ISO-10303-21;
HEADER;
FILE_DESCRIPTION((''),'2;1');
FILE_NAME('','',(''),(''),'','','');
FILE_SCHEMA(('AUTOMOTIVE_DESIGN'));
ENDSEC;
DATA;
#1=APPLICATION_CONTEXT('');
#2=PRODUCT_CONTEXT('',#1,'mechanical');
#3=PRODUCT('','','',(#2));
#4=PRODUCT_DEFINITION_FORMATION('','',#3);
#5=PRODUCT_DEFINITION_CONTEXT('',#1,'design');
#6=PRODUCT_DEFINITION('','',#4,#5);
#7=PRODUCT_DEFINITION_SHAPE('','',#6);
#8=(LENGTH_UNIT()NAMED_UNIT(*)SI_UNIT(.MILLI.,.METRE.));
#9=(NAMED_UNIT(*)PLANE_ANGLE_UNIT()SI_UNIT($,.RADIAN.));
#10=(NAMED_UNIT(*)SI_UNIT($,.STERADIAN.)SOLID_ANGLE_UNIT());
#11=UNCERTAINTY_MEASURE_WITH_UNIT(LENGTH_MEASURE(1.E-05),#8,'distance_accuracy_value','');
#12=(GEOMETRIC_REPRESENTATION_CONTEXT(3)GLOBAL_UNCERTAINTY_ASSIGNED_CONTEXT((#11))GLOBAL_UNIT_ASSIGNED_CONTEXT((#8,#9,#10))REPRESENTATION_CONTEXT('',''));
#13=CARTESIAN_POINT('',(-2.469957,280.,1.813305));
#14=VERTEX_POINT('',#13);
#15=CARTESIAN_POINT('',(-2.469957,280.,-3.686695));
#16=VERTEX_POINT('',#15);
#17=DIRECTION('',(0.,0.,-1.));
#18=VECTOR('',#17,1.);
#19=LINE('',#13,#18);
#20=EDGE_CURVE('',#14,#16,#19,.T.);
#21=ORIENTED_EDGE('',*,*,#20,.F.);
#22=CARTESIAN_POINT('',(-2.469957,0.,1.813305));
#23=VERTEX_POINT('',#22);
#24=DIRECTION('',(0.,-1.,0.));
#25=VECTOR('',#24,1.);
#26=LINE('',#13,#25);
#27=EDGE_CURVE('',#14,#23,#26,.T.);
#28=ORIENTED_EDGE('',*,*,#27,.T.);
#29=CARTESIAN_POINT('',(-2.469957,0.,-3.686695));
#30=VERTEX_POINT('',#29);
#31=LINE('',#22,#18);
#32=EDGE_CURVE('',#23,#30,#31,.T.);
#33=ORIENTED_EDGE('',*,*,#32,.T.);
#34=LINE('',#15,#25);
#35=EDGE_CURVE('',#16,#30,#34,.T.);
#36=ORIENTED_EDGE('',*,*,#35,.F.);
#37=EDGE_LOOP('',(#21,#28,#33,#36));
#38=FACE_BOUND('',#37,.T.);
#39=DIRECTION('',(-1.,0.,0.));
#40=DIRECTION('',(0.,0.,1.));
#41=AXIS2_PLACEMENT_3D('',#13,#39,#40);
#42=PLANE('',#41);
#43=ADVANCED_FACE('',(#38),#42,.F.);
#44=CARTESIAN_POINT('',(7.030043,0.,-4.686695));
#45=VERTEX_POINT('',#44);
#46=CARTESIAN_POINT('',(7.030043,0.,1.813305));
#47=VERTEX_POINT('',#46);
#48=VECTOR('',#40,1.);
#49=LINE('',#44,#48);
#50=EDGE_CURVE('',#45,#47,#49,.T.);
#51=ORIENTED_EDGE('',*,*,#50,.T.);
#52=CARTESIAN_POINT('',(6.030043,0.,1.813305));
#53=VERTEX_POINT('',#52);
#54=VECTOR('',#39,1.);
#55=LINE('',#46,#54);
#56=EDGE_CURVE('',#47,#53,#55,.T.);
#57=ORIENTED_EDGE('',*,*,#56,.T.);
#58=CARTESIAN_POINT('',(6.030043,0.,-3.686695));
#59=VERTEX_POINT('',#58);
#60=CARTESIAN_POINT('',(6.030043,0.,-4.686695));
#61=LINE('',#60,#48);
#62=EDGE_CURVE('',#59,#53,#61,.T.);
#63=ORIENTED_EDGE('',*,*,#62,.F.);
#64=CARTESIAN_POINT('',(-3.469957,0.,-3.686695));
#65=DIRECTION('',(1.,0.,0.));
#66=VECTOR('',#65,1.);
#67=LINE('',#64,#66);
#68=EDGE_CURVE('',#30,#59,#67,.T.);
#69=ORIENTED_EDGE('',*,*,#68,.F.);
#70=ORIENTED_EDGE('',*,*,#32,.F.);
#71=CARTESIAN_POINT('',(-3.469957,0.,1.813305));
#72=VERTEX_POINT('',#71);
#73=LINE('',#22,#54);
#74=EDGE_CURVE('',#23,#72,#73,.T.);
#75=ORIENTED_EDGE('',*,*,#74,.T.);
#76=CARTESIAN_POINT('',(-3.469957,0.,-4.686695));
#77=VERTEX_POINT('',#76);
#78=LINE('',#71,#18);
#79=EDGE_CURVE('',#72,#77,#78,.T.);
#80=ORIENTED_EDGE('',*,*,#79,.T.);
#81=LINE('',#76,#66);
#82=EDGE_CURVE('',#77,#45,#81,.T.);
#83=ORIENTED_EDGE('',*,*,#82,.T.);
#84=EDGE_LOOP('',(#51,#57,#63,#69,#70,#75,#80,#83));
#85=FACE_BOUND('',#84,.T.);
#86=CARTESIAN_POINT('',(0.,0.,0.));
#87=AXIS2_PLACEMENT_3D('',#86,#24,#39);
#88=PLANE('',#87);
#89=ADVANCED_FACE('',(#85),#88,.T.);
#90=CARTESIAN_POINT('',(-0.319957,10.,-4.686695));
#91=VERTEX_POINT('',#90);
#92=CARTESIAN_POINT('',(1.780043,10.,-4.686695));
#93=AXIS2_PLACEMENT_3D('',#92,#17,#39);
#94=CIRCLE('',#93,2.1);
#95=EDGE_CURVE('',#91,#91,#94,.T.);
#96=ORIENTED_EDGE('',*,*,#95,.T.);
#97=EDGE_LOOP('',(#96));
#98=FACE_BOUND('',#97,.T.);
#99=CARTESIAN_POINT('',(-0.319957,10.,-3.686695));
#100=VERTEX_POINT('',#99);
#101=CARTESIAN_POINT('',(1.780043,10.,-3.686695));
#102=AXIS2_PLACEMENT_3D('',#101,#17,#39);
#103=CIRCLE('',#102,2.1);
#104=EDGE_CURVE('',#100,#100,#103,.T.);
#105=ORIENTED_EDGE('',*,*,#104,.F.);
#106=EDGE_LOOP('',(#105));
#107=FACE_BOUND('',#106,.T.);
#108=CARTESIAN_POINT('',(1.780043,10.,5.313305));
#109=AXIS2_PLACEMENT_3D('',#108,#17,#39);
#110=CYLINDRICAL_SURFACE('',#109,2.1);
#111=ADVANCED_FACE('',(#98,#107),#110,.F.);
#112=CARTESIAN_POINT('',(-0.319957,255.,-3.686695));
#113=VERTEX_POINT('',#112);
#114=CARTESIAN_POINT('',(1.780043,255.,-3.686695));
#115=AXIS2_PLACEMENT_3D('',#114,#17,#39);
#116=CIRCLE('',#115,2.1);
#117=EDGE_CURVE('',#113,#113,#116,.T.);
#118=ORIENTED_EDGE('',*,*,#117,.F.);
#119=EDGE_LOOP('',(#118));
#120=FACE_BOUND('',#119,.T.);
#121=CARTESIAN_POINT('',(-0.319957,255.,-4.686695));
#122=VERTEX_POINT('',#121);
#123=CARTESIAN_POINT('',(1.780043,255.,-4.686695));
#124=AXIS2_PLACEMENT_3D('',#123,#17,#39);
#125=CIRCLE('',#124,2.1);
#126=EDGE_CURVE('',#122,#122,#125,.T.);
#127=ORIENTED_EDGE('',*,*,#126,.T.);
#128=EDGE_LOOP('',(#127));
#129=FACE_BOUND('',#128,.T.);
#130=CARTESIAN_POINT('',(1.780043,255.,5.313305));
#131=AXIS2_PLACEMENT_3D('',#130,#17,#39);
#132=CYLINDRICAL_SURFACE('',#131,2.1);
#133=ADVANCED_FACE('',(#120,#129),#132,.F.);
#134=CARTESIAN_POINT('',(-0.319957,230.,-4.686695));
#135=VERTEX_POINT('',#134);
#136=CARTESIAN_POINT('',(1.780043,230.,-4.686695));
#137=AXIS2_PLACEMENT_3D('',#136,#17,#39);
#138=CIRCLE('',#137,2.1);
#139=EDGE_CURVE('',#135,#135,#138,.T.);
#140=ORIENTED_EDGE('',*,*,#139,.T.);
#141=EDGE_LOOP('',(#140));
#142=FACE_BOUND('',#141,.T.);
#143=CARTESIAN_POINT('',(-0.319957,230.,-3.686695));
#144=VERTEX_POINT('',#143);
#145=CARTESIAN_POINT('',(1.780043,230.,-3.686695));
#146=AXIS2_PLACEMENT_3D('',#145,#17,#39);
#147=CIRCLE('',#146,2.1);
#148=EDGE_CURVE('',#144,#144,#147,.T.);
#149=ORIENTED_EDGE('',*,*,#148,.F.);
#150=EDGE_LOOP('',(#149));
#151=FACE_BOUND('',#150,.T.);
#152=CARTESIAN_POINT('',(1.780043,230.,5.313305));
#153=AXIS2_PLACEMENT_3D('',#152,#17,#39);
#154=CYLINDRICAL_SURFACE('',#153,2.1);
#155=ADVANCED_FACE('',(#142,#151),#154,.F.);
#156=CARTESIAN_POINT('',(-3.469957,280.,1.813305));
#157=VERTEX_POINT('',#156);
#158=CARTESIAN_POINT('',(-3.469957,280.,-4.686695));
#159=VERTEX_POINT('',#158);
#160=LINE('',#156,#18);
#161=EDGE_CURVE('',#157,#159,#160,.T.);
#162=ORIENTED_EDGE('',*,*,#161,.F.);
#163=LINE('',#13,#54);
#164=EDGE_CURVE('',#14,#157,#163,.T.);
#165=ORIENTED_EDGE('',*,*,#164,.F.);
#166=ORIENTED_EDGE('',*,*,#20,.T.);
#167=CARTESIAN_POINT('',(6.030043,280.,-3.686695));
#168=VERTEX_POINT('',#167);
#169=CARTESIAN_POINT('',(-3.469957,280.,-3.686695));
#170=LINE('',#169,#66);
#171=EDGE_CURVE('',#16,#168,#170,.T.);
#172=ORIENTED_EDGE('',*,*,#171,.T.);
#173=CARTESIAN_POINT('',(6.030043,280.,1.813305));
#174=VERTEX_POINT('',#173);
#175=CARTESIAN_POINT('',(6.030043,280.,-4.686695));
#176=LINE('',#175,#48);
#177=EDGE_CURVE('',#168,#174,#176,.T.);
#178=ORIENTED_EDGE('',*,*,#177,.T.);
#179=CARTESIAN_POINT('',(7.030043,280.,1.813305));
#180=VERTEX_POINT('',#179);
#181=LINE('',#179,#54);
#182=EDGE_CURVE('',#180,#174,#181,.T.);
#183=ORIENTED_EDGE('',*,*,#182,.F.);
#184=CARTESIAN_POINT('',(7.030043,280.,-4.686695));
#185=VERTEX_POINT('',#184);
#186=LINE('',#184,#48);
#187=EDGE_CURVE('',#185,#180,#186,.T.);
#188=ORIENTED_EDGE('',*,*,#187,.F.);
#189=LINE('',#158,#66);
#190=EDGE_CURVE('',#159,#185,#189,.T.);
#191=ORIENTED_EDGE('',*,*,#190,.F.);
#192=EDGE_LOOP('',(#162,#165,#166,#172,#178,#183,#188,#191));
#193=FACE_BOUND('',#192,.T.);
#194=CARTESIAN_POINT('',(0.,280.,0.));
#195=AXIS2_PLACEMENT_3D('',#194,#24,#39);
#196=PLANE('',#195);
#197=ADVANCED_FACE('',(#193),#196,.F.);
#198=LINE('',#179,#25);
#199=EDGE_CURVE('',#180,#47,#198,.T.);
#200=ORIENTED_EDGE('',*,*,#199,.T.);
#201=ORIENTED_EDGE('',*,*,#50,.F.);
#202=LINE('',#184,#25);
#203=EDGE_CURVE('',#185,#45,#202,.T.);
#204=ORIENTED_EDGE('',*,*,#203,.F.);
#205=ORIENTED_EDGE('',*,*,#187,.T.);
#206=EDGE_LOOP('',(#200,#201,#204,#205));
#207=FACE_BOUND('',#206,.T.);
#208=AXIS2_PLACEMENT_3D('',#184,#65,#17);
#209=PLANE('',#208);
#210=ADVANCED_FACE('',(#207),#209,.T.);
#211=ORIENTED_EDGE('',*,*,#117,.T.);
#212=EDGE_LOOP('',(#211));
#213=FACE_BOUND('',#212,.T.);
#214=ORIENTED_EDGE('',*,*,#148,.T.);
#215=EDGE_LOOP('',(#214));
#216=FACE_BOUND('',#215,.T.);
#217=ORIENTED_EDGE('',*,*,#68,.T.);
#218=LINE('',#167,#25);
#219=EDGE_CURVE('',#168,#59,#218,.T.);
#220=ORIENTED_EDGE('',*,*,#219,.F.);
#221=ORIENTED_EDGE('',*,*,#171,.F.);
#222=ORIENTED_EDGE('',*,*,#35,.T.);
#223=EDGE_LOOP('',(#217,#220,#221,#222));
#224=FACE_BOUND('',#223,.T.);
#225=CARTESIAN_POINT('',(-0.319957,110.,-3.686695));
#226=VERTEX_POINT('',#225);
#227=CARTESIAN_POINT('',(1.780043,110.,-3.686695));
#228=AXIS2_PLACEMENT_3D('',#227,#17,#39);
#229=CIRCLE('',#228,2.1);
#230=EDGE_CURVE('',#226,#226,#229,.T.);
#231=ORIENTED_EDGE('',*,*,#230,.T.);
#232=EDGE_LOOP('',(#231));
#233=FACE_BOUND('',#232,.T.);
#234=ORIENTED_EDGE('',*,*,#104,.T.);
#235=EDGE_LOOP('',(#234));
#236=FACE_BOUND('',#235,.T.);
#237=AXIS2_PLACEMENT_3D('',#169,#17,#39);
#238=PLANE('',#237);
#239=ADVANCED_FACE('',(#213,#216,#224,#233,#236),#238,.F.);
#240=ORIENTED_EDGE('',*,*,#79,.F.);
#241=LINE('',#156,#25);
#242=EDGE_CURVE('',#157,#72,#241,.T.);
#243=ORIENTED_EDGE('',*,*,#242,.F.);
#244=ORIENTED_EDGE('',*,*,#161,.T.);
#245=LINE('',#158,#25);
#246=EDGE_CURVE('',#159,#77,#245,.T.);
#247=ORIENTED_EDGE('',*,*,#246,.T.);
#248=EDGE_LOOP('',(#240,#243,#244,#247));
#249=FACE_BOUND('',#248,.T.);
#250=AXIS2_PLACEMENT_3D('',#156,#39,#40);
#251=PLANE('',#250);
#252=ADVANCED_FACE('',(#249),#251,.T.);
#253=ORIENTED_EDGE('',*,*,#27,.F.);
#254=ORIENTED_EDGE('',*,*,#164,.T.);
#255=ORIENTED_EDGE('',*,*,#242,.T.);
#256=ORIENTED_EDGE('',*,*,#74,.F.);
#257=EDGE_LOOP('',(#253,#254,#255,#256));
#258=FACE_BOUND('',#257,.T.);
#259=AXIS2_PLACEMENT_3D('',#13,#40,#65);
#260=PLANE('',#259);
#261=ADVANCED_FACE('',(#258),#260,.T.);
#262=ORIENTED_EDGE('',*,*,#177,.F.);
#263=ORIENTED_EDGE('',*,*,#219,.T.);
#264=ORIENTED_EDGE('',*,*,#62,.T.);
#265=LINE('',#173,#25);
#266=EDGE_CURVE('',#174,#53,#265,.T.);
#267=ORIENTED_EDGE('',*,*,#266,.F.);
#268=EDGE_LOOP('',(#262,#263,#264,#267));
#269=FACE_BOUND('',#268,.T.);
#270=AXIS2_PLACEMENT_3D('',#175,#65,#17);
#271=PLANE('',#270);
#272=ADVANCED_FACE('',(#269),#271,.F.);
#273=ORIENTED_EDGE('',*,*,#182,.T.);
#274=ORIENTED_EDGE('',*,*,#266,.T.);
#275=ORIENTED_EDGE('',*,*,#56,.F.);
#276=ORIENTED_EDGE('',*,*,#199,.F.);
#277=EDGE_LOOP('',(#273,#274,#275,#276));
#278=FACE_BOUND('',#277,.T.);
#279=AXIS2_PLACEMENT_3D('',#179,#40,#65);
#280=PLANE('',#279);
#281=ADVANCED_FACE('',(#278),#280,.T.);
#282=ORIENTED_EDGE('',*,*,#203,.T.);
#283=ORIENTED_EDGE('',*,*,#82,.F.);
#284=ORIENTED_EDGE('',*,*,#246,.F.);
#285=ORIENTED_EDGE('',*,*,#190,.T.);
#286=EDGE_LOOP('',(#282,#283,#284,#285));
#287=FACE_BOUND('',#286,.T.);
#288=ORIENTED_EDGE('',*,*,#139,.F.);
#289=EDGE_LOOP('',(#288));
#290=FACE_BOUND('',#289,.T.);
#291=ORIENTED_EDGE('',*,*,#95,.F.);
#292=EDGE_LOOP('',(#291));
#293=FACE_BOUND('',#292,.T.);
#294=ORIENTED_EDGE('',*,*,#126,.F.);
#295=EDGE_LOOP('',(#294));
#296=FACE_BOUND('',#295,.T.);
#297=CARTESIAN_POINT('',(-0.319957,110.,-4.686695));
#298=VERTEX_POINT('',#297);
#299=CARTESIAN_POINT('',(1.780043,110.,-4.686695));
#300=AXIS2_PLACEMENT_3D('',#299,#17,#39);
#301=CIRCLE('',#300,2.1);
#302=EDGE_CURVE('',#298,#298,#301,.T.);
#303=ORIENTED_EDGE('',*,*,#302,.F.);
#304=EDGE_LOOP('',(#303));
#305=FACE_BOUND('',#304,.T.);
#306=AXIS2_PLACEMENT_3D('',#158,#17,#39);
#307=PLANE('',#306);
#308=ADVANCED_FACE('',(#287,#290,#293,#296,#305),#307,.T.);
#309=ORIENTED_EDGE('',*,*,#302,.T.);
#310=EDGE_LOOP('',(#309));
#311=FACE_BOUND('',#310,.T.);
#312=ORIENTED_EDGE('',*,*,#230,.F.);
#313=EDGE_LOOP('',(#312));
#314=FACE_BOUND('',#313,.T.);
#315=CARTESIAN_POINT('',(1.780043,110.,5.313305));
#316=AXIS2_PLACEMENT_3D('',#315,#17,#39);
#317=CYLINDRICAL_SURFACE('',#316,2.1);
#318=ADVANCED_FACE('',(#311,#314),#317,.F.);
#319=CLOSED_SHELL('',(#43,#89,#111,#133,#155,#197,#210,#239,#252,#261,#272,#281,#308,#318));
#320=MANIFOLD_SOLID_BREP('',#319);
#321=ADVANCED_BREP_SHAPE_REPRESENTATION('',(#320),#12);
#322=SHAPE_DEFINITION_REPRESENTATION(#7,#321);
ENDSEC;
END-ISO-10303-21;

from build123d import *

# Parameters (mm, degrees)
EXTRUDE_THIN1_DEPTH = 280
SKETCH2_R           = 2.1
CUT_EXTRUDE1_DEPTH  = 10


with BuildPart() as part:
    # Sketch1 → Extrude-Thin1 (new body)
    with BuildSketch(Plane(origin=(0, 0, 0), x_dir=(1, 0, 0), z_dir=(0, 1, 0))):
        Polygon((-3.469957082, -1.813304721), (-3.469957082, 4.686695279), (7.030042918, 4.686695279), (7.030042918, -1.813304721), (6.030042918, -1.813304721), (6.030042918, 3.686695279), (-2.469957082, 3.686695279), (-2.469957082, -1.813304721), align=None)
    extrude(amount=EXTRUDE_THIN1_DEPTH)

    # Sketch2 → Cut-Extrude1 (cut)
    with BuildSketch(Plane(origin=(0, 0, -4.686695279), x_dir=(-1, 0, 0), z_dir=(0, 0, -1))):
        with Locations((-1.780042918, 230)):
            Circle(SKETCH2_R)
        with Locations((-1.780042918, 255)):
            Circle(SKETCH2_R)
        with Locations((-1.780042918, 110)):
            Circle(SKETCH2_R)
        with Locations((-1.780042918, 10)):
            Circle(SKETCH2_R)
    extrude(amount=-CUT_EXTRUDE1_DEPTH, mode=Mode.SUBTRACT)


solid = part.part
